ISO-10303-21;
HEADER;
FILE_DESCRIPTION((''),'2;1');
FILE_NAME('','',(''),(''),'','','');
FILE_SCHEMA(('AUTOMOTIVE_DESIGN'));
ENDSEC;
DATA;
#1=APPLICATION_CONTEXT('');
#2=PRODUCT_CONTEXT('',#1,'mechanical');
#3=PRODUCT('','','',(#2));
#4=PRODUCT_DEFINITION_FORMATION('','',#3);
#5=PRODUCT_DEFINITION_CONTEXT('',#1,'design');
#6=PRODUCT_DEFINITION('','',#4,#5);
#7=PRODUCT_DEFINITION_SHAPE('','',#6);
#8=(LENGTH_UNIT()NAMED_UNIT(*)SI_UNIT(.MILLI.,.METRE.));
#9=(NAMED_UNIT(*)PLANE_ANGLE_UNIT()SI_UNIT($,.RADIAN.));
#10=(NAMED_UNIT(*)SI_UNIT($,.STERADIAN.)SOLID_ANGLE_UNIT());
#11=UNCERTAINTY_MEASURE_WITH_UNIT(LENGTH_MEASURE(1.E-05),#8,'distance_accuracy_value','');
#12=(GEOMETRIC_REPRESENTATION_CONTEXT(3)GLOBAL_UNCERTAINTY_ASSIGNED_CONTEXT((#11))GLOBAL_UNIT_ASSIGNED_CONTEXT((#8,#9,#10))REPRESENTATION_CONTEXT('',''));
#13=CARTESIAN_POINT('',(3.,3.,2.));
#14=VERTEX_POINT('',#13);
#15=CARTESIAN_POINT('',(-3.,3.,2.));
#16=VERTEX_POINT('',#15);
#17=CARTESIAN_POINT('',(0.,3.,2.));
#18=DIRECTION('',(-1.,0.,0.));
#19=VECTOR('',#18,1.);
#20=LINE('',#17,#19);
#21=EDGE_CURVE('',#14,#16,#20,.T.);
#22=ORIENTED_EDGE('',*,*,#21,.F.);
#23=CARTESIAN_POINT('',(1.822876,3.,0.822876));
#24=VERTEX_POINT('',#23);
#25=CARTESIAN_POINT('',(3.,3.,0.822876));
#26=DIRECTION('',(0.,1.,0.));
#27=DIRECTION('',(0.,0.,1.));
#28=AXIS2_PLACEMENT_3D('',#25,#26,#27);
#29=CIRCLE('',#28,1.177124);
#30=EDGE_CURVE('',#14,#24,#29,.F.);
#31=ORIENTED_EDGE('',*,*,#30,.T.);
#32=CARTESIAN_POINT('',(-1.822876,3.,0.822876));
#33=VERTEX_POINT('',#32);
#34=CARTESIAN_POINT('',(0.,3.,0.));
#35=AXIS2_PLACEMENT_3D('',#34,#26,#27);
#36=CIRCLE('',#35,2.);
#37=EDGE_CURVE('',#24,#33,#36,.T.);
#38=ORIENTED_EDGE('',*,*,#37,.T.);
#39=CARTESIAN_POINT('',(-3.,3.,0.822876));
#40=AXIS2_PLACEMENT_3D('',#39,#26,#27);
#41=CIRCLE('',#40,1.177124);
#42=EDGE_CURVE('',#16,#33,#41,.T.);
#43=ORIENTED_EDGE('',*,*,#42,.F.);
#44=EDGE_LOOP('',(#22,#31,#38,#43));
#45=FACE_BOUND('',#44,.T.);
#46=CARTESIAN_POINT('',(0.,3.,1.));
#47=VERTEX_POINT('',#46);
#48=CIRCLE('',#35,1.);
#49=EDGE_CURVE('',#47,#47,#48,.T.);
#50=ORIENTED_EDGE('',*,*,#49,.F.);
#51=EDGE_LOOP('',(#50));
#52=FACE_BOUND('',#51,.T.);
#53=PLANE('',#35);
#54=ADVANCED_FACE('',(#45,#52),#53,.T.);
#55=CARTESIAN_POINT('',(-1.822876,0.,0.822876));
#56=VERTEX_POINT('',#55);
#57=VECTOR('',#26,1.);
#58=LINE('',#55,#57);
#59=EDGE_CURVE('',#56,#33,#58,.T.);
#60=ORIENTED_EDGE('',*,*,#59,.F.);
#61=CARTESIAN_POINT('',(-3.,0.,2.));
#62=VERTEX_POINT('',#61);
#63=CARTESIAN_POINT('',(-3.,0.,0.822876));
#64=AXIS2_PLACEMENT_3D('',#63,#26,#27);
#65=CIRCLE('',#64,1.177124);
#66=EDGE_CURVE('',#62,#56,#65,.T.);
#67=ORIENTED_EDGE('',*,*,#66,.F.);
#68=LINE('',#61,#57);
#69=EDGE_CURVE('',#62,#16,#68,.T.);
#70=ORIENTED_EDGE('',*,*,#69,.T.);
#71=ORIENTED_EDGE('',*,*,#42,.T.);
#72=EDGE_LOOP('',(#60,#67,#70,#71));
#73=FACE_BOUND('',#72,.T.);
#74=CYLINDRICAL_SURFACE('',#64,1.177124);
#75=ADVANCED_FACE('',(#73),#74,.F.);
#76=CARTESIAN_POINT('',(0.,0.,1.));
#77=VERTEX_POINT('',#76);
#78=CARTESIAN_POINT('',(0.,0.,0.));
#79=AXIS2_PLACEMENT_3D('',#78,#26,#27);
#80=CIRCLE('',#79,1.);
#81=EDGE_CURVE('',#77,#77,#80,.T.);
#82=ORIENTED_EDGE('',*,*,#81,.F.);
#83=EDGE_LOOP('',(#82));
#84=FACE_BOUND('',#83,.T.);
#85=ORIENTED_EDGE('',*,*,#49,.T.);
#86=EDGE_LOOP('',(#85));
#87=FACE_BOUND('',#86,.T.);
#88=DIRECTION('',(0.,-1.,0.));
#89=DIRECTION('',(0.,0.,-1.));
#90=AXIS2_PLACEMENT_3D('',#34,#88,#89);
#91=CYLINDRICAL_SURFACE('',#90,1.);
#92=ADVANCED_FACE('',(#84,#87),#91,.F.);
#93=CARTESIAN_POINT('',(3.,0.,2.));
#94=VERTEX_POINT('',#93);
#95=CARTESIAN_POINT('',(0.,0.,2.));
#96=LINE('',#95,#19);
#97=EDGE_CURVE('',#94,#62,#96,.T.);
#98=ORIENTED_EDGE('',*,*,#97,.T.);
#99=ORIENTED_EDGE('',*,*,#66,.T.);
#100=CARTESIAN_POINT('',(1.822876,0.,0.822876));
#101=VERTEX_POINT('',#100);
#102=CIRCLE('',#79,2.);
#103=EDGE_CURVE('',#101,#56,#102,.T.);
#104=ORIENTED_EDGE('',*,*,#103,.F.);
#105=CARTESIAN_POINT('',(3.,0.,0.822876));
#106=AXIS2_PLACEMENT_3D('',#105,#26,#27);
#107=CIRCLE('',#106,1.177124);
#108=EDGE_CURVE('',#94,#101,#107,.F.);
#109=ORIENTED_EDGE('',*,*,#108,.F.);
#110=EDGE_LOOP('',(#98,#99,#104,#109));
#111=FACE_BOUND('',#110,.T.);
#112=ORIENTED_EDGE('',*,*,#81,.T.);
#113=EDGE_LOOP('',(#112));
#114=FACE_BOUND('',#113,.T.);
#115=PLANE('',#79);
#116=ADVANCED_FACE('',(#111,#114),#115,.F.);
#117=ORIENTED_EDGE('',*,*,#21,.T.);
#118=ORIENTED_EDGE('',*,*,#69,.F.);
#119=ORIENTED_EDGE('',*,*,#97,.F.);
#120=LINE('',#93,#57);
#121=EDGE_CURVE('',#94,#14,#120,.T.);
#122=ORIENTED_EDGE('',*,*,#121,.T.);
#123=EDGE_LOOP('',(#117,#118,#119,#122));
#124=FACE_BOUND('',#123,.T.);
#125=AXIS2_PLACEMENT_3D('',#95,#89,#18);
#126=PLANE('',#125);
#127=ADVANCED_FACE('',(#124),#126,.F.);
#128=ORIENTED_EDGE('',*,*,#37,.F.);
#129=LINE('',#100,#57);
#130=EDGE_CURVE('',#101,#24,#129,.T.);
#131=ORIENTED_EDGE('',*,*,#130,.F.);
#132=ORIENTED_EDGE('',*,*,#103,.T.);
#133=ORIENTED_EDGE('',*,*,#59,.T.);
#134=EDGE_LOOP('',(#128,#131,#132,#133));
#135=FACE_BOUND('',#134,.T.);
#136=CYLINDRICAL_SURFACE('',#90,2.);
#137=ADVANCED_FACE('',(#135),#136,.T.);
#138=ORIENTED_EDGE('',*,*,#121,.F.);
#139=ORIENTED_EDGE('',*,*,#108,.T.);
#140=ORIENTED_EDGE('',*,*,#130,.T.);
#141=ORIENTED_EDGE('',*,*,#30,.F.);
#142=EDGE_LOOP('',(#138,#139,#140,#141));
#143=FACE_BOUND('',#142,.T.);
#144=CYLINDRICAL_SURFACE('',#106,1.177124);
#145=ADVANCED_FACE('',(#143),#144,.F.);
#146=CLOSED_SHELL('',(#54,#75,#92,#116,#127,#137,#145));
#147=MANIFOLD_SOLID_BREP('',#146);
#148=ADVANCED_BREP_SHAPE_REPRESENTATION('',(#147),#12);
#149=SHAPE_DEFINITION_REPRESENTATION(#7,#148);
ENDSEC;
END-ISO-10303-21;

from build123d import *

# Parameters (mm, degrees)
SKETCH_1_R      = 2
SKETCH_1_R_2    = 1
EXTRUDE_1_DEPTH = 3
EXTRUDE_START   = -3
EXTRUDE_2_DEPTH = 3


with BuildPart() as part:
    # 草图1 → 凸台-拉伸1 (new body)
    with BuildSketch(Plane(origin=(0, 0, 0), x_dir=(1, 0, 0), z_dir=(0, 1, 0))):
        with Locations(Location((0, 0, 0), (0, 0, 270))):
            Circle(SKETCH_1_R)
        with Locations(Location((0, 0, 0), (0, 0, 270))):
            Circle(SKETCH_1_R_2, mode=Mode.SUBTRACT)
    extrude(amount=EXTRUDE_1_DEPTH)

    # 草图2 → 凸台-拉伸2 (add)
    with BuildSketch(Plane(origin=(0, 3, 0), x_dir=(1, 0, 0), z_dir=(0, 1, 0)).offset(EXTRUDE_START)):
        with BuildLine():
            Line((-3, -2), (0, -2))
            ThreePointArc((0, -2), (-1.084953614, -1.680141558), (-1.822875656, -0.822875656))
            ThreePointArc((-1.822875656, -0.822875656), (-2.167647394, -1.655228262), (-3, -2))
        make_face()
        with BuildLine():
            ThreePointArc((1.822875656, -0.822875656), (1.084953614, -1.680141558), (0, -2))
            Line((0, -2), (3, -2))
            ThreePointArc((3, -2), (2.167647394, -1.655228262), (1.822875656, -0.822875656))
        make_face()
    extrude(amount=EXTRUDE_2_DEPTH)


solid = part.part
